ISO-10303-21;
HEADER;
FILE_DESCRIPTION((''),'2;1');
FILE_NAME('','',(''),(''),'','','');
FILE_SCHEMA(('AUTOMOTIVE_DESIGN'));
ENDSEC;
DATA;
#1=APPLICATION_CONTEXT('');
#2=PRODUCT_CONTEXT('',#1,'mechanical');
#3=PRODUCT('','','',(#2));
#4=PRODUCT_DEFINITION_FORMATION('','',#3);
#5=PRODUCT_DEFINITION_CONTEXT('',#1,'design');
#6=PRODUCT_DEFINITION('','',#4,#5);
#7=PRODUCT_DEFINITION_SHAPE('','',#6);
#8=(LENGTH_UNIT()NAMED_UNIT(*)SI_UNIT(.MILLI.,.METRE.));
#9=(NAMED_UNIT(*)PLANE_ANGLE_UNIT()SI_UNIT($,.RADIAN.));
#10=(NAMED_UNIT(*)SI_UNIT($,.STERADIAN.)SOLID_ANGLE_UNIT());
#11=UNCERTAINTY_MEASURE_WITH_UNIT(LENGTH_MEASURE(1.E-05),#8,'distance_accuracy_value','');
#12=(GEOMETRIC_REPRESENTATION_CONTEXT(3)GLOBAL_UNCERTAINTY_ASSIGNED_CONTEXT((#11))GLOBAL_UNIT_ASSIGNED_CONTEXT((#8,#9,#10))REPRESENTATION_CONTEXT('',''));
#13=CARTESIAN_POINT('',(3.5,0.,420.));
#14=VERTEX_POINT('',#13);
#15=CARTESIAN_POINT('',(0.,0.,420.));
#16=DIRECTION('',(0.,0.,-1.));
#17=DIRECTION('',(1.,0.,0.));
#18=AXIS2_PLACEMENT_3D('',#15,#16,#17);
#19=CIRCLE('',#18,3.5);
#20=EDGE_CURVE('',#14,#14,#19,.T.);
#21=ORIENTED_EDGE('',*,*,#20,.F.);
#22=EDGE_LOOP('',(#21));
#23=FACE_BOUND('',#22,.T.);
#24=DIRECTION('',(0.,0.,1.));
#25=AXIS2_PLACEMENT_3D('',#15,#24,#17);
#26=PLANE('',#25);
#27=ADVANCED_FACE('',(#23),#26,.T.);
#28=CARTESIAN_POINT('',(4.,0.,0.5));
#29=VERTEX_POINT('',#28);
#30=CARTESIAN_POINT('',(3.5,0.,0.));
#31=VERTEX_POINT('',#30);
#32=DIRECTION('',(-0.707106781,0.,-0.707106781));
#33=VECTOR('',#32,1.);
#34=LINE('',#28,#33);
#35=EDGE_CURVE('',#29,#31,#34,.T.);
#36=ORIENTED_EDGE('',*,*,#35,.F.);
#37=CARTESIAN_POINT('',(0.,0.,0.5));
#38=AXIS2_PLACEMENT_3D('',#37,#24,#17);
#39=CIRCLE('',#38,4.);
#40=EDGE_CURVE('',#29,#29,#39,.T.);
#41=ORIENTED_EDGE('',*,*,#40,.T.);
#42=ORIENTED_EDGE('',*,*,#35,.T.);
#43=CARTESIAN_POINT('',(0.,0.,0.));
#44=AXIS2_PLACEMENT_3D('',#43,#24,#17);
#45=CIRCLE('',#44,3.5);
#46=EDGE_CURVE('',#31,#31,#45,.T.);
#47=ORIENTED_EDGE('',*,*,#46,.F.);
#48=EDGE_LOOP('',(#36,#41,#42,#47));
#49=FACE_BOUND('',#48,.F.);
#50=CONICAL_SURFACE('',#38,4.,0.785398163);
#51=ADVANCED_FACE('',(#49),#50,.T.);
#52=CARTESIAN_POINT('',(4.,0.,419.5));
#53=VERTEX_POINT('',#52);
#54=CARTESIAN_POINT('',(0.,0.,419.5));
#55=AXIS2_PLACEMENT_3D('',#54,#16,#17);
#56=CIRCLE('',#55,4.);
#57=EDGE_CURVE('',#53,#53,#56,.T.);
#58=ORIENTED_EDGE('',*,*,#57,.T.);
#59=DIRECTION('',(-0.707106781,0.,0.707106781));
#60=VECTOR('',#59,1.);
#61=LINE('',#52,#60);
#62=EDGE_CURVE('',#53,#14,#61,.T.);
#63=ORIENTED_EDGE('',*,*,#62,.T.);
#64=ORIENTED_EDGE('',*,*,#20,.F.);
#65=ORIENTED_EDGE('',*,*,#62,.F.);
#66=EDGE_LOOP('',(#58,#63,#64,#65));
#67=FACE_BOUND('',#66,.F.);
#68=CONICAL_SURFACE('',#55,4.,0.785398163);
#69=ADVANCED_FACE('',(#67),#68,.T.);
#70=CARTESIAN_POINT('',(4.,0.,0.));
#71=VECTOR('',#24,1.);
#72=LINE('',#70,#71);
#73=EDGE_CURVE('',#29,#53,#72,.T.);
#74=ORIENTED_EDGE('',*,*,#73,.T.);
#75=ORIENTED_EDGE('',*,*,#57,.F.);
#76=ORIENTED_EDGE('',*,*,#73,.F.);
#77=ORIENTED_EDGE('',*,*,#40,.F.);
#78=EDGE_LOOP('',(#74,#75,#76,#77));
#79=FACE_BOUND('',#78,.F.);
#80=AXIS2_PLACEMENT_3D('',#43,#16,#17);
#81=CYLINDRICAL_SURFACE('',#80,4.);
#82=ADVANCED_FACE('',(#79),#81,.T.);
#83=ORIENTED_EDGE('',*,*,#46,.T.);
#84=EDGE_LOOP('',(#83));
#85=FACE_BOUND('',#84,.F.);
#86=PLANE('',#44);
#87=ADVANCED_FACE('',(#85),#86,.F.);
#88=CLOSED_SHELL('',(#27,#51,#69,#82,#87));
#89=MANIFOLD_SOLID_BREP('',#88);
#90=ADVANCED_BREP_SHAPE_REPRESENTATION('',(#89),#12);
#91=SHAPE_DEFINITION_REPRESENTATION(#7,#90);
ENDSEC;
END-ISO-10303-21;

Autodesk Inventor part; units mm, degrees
ref_plane "YZ Plane" through (0, 0, 0) normal (1, 0, 0) x (0, 1, 0)
ref_plane "XZ Plane" through (0, 0, 0) normal (0, 1, 0) x (-1, 0, 0)
ref_plane "XY Plane" through (0, 0, 0) normal (0, 0, 1) x (1, 0, 0)
sketch "Skizze1" plane through (0, 0, 0) normal (0, 0, 1) x (1, 0, 0)
  line L0 (-5.6, 0) -> (5.6, 0) projected
  line L1 (0, -5.6) -> (0, 5.6) projected
  circle A0 centre (0, 0) radius 4
  dimension "d0" = 8
extrude "Extrusion1" add sketch "Skizze1" along normal blind 420
thread "Gewinde1" size "M8x1.25" class "6g" standard "ANSI Metric M Profile" full length
chamfer "Fase1" distance 0.5 angle 45 1 edges at (-4, 0, 420)
chamfer "Fase2" distance 0.5 angle 45 1 edges at (-4, 0, 0)
properties part number "Gewindestange_M8x420mm"
